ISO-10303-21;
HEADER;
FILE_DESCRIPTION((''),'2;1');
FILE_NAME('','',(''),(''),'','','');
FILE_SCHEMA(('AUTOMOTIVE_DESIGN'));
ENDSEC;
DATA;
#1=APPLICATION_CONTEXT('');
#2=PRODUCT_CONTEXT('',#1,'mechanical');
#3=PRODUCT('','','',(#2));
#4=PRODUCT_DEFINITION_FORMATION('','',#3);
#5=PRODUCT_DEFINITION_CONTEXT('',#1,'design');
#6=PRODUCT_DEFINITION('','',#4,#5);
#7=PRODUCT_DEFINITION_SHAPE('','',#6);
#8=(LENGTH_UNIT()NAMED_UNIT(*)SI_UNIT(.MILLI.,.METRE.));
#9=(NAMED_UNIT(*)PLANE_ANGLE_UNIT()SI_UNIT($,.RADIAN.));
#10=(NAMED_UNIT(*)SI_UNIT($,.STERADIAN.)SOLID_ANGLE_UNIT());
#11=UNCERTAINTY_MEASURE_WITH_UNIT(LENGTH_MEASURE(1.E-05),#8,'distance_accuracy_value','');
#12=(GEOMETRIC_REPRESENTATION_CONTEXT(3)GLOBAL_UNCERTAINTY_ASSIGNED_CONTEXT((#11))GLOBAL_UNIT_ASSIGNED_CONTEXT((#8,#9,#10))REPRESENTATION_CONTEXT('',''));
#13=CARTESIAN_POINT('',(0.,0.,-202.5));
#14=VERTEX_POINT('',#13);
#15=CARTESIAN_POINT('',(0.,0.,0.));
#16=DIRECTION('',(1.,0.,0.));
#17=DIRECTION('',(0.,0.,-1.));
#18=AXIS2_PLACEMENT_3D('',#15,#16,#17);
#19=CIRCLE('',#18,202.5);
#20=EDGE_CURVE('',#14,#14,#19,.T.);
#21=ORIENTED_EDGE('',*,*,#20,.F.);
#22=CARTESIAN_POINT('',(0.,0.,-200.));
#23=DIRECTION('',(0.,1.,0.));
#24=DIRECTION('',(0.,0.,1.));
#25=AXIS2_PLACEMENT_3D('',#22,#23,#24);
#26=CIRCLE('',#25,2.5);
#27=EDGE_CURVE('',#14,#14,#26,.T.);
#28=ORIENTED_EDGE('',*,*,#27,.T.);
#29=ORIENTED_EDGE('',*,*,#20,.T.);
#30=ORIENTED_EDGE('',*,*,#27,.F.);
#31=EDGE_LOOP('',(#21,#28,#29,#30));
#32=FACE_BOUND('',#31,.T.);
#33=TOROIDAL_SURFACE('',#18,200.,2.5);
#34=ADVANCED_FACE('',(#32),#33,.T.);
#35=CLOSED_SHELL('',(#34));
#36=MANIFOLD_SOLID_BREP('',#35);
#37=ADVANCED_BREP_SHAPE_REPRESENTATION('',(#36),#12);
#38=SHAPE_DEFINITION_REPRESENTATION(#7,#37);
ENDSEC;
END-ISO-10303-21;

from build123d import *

# Parameters (mm, degrees)
SWEEP_1_PROFILE_R = 2.5


with BuildPart() as part:
    # 扫描1: sweep along a path in 草图1
    with BuildLine(Plane(origin=(0, 0, 0), x_dir=(0, 0, -1), z_dir=(1, 0, 0))) as sweep_1_path:
        CenterArc((0, 0), 200, 0, 360)
    # 扫描1 profile (on start of the path) → 扫描1 (sweep)
    with BuildSketch(Plane(origin=(0, 0, -200), x_dir=(0, 0, 1), z_dir=(0, 1, 0))):
        Circle(SWEEP_1_PROFILE_R)
    sweep(path=sweep_1_path.line)


solid = part.part
